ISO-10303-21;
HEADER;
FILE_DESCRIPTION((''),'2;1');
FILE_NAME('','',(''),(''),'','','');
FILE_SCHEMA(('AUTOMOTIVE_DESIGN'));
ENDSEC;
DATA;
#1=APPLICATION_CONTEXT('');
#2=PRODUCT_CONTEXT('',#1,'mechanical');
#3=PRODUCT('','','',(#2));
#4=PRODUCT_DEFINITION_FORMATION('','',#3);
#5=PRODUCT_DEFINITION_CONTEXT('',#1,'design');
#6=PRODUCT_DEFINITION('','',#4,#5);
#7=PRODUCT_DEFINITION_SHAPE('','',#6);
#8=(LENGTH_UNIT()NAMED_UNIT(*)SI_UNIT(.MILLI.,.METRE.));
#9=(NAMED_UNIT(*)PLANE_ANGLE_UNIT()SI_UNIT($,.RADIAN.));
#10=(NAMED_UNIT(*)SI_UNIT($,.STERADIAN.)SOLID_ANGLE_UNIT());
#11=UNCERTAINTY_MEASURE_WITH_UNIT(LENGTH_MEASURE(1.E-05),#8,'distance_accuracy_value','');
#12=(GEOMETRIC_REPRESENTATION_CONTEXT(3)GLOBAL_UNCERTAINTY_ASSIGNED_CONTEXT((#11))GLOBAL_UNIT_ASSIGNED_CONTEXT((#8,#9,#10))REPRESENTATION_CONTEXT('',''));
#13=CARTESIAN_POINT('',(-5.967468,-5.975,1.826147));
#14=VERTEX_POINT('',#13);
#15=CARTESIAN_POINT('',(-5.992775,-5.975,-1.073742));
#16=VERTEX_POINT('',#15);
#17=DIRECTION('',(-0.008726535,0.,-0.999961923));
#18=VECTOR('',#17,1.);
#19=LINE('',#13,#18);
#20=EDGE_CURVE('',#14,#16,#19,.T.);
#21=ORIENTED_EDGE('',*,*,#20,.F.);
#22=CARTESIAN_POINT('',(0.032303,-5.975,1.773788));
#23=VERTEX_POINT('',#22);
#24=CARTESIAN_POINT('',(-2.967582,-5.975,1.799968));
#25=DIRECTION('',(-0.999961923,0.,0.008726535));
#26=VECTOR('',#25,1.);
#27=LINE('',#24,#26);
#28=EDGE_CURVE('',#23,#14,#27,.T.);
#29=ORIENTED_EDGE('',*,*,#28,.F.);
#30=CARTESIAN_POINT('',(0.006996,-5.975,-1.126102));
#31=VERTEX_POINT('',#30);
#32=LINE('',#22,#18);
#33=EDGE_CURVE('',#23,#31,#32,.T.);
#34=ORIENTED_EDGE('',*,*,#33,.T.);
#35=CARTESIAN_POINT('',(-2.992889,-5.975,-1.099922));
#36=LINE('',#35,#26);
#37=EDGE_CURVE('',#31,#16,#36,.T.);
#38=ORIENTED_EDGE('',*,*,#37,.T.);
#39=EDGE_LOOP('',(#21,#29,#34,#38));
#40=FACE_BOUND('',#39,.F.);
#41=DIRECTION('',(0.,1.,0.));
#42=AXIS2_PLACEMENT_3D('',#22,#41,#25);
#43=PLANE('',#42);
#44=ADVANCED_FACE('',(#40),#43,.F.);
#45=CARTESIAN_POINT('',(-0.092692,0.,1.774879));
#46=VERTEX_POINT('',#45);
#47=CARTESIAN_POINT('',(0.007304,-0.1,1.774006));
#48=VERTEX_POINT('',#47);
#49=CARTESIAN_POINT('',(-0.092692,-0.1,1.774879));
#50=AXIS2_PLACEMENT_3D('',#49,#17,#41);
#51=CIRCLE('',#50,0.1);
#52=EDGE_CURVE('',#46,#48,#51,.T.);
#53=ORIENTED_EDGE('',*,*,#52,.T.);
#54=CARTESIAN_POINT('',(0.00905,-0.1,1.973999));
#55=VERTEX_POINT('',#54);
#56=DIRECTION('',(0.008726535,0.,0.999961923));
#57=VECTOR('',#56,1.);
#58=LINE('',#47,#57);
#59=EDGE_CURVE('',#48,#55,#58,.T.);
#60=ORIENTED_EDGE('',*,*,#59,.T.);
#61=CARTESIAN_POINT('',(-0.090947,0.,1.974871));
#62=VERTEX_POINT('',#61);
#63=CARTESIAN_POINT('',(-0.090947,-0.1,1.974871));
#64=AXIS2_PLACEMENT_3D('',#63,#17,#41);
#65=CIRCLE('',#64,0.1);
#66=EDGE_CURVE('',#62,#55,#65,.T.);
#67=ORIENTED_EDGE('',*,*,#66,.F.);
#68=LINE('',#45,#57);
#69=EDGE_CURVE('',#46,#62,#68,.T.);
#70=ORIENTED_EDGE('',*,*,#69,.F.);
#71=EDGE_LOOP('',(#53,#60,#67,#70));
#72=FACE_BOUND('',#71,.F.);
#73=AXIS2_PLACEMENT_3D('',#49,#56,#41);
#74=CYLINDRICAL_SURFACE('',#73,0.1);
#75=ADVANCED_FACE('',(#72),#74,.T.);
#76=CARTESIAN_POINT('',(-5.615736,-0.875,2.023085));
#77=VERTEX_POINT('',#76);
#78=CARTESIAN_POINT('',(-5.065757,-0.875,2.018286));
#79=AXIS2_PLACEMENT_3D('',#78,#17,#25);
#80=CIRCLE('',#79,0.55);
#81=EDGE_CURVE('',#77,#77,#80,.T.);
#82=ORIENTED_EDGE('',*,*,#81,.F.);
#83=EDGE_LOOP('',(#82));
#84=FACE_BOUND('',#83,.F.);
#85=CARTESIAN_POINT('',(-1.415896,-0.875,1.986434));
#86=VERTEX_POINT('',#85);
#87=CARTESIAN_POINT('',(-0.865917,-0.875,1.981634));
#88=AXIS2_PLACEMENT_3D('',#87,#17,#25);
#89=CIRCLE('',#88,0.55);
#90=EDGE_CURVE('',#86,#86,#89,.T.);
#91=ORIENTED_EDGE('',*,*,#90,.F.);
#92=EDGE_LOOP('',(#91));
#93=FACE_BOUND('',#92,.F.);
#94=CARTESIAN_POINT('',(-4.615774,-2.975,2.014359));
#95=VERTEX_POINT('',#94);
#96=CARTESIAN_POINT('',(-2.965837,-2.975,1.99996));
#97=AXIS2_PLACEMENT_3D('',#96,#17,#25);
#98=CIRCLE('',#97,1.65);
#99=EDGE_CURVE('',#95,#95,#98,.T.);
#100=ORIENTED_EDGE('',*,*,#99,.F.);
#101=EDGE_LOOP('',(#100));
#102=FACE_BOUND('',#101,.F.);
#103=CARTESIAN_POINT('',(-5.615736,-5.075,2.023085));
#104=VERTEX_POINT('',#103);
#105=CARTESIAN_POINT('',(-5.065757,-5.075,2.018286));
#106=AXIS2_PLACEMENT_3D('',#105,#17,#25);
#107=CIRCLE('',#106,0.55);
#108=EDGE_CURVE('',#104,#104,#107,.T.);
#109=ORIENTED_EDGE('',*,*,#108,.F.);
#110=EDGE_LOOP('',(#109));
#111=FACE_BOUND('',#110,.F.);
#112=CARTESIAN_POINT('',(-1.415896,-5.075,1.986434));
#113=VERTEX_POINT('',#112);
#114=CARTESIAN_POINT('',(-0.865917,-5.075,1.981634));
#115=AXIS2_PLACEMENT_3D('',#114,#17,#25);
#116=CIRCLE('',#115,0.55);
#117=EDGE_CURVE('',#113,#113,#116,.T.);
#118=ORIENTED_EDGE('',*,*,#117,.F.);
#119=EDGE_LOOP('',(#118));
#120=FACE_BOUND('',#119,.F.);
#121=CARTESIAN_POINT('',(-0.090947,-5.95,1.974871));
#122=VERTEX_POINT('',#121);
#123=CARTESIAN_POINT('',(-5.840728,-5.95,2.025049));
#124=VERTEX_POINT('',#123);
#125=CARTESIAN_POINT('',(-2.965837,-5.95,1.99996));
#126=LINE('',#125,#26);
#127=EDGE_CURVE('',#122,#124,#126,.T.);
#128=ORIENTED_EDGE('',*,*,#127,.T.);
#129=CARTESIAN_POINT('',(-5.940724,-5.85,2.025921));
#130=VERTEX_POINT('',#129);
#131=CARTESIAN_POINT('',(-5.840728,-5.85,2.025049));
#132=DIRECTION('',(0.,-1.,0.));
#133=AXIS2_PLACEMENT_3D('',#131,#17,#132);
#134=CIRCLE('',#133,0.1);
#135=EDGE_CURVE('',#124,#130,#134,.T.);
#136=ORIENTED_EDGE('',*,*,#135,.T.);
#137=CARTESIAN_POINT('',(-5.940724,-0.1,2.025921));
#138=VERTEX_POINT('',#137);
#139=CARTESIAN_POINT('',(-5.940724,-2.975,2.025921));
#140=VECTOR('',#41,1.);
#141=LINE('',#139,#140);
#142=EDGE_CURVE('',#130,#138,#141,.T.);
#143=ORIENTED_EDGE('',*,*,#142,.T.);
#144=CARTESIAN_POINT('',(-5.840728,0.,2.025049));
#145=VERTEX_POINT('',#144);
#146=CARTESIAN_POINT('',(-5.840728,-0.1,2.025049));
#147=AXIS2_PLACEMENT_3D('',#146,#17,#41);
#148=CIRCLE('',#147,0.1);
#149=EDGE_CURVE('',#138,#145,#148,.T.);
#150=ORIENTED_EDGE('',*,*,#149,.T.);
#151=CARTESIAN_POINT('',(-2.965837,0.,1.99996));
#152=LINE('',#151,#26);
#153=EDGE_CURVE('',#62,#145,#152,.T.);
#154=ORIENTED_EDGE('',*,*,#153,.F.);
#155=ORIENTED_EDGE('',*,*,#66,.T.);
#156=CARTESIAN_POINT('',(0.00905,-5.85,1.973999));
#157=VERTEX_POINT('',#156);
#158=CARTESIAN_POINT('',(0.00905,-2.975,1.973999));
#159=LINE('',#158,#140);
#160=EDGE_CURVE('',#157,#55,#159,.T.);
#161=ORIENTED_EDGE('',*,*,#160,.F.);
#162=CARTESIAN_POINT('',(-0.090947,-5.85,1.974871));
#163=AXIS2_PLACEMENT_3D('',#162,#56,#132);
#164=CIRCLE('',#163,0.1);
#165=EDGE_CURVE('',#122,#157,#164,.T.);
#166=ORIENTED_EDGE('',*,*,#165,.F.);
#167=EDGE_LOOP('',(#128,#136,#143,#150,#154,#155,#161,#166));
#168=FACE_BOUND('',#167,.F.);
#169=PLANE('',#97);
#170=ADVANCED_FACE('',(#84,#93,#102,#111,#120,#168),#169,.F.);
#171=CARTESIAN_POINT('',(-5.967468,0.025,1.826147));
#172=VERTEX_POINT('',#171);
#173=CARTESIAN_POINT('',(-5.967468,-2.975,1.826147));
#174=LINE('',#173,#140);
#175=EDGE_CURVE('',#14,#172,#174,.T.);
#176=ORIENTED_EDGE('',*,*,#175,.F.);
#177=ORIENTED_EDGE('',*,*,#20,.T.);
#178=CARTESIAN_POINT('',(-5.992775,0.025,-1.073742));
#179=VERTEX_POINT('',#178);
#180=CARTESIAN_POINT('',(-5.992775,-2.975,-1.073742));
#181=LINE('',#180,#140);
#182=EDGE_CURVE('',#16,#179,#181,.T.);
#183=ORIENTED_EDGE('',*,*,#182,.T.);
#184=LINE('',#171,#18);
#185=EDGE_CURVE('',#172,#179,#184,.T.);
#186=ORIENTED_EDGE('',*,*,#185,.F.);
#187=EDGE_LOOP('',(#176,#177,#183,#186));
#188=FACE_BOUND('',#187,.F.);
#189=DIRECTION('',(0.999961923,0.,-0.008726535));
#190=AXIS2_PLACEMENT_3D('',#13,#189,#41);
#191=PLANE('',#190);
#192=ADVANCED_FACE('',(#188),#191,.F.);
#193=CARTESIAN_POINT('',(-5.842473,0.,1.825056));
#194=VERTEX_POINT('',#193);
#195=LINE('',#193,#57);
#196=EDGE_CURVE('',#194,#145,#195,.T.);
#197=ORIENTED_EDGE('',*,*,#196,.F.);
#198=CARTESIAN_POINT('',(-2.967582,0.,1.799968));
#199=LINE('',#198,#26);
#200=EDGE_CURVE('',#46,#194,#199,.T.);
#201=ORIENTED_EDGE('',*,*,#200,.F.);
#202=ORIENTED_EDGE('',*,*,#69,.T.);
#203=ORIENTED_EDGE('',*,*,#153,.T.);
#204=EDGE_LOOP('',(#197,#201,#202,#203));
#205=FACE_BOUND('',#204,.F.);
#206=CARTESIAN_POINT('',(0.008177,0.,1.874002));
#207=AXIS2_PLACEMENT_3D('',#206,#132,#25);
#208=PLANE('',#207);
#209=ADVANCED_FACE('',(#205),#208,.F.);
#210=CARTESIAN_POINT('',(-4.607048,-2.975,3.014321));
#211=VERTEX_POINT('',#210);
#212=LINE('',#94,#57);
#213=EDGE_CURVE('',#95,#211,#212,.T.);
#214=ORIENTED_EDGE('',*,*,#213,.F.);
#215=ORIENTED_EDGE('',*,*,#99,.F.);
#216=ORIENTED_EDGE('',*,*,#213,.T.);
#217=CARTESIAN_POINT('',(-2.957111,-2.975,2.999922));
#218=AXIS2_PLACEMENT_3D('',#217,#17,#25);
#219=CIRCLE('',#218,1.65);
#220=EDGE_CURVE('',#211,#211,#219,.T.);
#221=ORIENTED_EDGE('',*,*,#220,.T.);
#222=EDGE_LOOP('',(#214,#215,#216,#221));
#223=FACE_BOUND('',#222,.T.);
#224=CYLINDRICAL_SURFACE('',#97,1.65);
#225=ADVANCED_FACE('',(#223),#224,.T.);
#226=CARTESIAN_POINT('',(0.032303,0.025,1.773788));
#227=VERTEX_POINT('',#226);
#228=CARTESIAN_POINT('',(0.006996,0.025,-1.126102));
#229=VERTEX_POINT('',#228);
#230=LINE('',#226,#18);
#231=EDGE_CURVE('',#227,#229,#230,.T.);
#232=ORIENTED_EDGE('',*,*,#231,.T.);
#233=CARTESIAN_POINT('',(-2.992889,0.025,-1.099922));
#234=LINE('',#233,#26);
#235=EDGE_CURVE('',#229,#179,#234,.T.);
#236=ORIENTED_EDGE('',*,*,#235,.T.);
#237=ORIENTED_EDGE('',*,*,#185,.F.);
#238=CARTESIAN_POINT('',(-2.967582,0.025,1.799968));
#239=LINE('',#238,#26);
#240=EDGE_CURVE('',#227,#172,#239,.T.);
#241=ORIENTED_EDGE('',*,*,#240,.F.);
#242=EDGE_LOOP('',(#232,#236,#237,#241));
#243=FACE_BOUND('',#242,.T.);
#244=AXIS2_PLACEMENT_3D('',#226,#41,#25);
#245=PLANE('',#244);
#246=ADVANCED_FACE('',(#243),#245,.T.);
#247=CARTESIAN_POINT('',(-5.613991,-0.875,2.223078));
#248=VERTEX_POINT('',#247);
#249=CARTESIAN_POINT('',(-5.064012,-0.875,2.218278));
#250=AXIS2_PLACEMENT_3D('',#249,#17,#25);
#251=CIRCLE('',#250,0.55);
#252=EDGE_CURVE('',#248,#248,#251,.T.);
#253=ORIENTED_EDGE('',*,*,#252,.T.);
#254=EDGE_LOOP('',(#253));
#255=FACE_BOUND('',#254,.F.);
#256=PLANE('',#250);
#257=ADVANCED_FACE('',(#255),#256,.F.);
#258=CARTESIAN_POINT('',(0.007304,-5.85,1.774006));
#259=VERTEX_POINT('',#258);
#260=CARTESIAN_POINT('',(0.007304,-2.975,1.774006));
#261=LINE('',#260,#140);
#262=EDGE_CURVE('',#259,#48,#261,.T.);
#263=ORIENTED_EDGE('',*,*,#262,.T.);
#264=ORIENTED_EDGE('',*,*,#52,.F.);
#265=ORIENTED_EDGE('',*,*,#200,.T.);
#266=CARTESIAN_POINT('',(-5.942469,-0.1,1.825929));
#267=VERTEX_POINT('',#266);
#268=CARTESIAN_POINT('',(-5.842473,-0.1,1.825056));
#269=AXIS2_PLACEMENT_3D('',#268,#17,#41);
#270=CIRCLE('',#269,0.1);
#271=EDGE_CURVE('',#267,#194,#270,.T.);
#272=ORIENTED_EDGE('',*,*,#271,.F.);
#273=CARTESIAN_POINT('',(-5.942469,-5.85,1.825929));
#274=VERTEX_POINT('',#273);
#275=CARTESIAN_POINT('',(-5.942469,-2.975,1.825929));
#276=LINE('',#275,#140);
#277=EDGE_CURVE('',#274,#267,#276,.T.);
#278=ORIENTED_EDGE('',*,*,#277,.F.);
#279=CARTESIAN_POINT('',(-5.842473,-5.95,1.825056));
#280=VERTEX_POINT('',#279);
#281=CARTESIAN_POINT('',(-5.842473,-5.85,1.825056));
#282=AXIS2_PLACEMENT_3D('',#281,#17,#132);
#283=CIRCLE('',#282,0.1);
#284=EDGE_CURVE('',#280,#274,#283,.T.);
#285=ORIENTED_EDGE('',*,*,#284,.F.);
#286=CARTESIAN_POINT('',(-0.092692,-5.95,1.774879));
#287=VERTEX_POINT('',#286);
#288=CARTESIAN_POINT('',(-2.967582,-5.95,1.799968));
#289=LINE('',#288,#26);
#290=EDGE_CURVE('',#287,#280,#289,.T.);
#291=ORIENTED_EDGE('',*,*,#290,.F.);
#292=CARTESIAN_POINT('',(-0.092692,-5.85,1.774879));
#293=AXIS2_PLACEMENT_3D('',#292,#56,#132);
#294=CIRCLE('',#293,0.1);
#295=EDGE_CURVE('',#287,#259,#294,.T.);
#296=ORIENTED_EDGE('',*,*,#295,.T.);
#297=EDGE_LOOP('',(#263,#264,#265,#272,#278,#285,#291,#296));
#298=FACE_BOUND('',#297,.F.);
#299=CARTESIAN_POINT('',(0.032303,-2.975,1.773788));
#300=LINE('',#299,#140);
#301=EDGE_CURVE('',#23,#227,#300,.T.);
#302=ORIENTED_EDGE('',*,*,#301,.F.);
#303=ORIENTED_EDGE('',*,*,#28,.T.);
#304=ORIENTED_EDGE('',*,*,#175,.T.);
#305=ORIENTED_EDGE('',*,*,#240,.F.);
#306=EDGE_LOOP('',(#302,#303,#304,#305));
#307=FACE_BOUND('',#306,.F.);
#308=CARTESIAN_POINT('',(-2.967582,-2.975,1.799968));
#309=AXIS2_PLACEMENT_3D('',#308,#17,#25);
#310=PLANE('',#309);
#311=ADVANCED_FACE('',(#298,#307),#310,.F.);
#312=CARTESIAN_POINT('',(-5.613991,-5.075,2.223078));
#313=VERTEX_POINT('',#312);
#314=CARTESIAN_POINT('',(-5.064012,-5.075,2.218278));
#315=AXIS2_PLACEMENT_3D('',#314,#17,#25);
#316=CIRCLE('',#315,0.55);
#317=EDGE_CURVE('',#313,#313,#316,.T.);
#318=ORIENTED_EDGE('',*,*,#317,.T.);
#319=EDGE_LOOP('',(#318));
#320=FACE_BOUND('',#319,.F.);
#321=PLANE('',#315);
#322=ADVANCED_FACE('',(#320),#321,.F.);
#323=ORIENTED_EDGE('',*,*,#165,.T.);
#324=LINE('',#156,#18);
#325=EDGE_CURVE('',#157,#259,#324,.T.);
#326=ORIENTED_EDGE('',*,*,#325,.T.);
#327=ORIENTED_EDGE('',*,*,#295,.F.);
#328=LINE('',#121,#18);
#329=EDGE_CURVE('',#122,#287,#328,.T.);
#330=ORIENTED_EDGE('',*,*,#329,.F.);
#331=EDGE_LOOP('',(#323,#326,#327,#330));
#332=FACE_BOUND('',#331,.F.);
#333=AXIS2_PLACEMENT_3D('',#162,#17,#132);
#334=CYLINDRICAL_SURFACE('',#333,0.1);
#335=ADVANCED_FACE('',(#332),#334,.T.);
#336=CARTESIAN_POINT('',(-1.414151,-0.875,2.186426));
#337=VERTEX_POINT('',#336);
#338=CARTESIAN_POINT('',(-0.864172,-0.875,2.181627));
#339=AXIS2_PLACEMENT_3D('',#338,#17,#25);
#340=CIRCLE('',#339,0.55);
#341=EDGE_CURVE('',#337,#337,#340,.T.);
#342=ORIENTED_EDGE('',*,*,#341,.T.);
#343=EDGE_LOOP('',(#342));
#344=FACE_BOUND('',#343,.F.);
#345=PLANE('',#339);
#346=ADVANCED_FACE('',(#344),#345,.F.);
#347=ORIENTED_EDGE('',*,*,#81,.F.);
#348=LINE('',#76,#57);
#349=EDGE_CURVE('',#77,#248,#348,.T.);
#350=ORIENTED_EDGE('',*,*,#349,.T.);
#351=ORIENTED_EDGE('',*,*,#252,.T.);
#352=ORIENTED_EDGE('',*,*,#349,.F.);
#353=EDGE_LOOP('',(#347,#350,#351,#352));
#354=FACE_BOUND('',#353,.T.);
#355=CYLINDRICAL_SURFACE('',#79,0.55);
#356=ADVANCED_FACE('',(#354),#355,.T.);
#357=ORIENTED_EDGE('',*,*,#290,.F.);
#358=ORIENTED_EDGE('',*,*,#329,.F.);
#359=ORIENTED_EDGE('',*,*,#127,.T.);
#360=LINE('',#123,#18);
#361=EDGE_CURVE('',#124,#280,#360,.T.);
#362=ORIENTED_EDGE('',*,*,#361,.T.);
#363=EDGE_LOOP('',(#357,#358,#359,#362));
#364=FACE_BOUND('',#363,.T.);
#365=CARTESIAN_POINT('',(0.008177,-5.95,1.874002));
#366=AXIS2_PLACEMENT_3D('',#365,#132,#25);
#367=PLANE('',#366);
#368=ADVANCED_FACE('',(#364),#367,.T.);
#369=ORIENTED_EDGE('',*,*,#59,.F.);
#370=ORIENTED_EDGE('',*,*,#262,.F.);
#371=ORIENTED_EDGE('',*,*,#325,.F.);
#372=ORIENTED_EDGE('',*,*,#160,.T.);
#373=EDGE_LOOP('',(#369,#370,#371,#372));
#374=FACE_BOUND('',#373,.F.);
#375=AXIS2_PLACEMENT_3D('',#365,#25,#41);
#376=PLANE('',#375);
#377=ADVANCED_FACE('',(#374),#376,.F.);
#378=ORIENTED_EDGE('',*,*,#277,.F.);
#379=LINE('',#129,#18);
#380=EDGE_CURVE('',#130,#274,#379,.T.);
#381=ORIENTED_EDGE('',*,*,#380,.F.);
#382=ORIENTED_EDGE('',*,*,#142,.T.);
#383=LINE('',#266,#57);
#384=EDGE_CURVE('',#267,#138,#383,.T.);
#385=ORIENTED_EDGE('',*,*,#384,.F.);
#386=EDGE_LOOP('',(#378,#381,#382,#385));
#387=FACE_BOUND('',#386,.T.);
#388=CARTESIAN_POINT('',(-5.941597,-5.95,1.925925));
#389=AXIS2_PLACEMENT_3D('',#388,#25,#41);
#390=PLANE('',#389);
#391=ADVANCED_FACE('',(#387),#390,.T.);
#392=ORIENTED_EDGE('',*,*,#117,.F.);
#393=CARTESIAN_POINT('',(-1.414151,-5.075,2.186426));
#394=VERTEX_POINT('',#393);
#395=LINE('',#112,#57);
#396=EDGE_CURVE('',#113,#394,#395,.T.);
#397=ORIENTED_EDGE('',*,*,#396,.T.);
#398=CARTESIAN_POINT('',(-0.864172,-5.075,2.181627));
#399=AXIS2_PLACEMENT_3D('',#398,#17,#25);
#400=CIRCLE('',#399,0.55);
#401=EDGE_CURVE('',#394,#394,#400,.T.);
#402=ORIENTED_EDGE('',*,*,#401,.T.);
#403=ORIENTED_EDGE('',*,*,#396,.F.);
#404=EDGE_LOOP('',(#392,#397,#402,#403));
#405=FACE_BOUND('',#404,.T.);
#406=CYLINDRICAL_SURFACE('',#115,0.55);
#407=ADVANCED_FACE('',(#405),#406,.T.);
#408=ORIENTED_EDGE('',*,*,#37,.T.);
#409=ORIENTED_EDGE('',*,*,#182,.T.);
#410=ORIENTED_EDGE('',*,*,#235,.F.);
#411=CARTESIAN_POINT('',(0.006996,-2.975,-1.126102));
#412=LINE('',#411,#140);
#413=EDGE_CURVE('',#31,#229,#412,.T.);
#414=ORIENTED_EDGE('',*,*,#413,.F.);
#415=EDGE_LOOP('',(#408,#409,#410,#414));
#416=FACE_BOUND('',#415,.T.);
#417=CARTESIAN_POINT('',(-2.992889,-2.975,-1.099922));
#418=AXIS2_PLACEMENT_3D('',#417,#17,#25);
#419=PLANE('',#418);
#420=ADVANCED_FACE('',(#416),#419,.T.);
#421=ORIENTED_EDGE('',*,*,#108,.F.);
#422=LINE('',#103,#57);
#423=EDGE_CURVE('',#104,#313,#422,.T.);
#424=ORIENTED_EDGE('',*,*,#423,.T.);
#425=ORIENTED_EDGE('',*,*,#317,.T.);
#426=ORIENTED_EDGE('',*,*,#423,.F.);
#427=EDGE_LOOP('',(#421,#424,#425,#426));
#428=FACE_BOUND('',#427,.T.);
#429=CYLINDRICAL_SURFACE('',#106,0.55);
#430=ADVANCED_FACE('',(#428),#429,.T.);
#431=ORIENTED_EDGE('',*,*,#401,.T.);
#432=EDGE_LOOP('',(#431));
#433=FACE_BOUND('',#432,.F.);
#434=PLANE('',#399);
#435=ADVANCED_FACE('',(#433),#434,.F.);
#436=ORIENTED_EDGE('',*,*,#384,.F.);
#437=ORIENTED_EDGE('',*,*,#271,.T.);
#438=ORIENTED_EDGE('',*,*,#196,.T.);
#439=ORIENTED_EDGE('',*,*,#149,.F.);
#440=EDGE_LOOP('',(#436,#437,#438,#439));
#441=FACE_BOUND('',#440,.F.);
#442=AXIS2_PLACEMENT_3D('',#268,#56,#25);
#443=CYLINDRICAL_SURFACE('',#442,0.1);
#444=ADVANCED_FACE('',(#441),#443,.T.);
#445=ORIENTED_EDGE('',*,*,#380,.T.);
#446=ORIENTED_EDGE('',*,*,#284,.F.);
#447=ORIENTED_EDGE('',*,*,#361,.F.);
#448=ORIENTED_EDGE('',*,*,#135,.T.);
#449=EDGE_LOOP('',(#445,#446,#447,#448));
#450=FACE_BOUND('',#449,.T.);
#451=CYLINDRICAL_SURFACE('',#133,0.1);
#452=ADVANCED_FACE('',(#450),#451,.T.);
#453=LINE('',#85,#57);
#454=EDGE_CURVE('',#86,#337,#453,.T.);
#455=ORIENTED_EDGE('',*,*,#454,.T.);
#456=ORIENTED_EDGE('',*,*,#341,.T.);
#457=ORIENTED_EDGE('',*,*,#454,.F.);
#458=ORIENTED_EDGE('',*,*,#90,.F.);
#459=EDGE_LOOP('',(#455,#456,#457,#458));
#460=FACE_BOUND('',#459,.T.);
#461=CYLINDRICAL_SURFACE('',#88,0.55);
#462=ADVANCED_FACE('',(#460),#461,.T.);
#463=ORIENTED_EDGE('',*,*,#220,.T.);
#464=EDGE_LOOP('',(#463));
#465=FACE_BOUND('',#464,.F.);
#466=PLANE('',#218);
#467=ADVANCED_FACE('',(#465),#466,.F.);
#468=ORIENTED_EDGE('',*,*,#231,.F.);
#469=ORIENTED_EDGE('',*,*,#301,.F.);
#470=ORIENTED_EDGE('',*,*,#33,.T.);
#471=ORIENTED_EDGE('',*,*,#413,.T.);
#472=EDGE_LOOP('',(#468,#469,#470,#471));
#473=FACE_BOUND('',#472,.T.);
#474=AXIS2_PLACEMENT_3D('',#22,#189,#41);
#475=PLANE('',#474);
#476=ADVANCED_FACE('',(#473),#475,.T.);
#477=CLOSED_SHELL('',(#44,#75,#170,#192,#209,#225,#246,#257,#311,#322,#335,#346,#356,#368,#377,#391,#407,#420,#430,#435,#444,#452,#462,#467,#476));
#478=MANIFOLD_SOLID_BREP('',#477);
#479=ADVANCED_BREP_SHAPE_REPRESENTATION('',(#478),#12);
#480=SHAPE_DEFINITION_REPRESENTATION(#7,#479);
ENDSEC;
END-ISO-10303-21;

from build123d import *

# Parameters (mm, degrees)
SKETCH1_W             = 5.95
SKETCH1_H             = 5.95
BOSS_EXTRUDE1_DEPTH   = 0.1
BOSS_EXTRUDE2_START   = 0.1
SKETCH2_W             = 6
SKETCH2_H             = 6
BOSS_EXTRUDE2_DEPTH   = 2.9
FILLET1_R             = 0.1
BOSS_EXTRUDE3_START   = -0.1
SKETCH3_R             = 1.65
SKETCH3_R_2           = 0.55
BOSS_EXTRUDE3_DEPTH   = 0.2
BOSS_EXTRUDE4_START   = -0.1
SKETCH4_R             = 1.65
BOSS_EXTRUDE4_DEPTH   = 1
BODY_MOVE_COPY1_ANGLE = 179.5


with BuildPart() as part:
    # Sketch1 → Boss-Extrude1 (new body, symmetric)
    with BuildSketch(Plane.XY):
        with Locations((-2.975, -2.975)):
            Rectangle(SKETCH1_W, SKETCH1_H)
    extrude(amount=BOSS_EXTRUDE1_DEPTH, both=True)

    # Sketch2 → Boss-Extrude2 (add)
    with BuildSketch(Plane.XY.offset(BOSS_EXTRUDE2_START)):
        with Locations((-2.975, -2.975)):
            Rectangle(SKETCH2_W, SKETCH2_H)
    extrude(amount=BOSS_EXTRUDE2_DEPTH)

    # Fillet1
    fillet1_edges = [part.edges().sort_by_distance(p)[0] for p in [
        (0, -5.95, 0),
        (-5.95, -5.95, 0),
        (-5.95, 0, 0),
        (0, 0, 0),
    ]]
    fillet(fillet1_edges, radius=FILLET1_R)

    # Sketch3 → Boss-Extrude3 (add)
    with BuildSketch(Plane.XY.offset(BOSS_EXTRUDE3_START)):
        with Locations((-2.975, -2.975)):
            Circle(SKETCH3_R)
        with Locations((-5.075, -0.875)):
            Circle(SKETCH3_R_2)
        with Locations((-5.075, -5.075)):
            Circle(SKETCH3_R_2)
        with Locations((-0.875, -5.075)):
            Circle(SKETCH3_R_2)
        with Locations((-0.875, -0.875)):
            Circle(SKETCH3_R_2)
    extrude(amount=-BOSS_EXTRUDE3_DEPTH)

    # Sketch4 → Boss-Extrude4 (add)
    with BuildSketch(Plane.XY.offset(BOSS_EXTRUDE4_START)):
        with Locations((-2.975, -2.975)):
            Circle(SKETCH4_R)
    extrude(amount=-BOSS_EXTRUDE4_DEPTH)


with BuildPart() as part_1:
    # Body-Move/Copy1: moved
    add(part.part.rotate(Axis((-2.975, 0, 0.95), (0, -1, 0)), BODY_MOVE_COPY1_ANGLE))


solid = part_1.part
